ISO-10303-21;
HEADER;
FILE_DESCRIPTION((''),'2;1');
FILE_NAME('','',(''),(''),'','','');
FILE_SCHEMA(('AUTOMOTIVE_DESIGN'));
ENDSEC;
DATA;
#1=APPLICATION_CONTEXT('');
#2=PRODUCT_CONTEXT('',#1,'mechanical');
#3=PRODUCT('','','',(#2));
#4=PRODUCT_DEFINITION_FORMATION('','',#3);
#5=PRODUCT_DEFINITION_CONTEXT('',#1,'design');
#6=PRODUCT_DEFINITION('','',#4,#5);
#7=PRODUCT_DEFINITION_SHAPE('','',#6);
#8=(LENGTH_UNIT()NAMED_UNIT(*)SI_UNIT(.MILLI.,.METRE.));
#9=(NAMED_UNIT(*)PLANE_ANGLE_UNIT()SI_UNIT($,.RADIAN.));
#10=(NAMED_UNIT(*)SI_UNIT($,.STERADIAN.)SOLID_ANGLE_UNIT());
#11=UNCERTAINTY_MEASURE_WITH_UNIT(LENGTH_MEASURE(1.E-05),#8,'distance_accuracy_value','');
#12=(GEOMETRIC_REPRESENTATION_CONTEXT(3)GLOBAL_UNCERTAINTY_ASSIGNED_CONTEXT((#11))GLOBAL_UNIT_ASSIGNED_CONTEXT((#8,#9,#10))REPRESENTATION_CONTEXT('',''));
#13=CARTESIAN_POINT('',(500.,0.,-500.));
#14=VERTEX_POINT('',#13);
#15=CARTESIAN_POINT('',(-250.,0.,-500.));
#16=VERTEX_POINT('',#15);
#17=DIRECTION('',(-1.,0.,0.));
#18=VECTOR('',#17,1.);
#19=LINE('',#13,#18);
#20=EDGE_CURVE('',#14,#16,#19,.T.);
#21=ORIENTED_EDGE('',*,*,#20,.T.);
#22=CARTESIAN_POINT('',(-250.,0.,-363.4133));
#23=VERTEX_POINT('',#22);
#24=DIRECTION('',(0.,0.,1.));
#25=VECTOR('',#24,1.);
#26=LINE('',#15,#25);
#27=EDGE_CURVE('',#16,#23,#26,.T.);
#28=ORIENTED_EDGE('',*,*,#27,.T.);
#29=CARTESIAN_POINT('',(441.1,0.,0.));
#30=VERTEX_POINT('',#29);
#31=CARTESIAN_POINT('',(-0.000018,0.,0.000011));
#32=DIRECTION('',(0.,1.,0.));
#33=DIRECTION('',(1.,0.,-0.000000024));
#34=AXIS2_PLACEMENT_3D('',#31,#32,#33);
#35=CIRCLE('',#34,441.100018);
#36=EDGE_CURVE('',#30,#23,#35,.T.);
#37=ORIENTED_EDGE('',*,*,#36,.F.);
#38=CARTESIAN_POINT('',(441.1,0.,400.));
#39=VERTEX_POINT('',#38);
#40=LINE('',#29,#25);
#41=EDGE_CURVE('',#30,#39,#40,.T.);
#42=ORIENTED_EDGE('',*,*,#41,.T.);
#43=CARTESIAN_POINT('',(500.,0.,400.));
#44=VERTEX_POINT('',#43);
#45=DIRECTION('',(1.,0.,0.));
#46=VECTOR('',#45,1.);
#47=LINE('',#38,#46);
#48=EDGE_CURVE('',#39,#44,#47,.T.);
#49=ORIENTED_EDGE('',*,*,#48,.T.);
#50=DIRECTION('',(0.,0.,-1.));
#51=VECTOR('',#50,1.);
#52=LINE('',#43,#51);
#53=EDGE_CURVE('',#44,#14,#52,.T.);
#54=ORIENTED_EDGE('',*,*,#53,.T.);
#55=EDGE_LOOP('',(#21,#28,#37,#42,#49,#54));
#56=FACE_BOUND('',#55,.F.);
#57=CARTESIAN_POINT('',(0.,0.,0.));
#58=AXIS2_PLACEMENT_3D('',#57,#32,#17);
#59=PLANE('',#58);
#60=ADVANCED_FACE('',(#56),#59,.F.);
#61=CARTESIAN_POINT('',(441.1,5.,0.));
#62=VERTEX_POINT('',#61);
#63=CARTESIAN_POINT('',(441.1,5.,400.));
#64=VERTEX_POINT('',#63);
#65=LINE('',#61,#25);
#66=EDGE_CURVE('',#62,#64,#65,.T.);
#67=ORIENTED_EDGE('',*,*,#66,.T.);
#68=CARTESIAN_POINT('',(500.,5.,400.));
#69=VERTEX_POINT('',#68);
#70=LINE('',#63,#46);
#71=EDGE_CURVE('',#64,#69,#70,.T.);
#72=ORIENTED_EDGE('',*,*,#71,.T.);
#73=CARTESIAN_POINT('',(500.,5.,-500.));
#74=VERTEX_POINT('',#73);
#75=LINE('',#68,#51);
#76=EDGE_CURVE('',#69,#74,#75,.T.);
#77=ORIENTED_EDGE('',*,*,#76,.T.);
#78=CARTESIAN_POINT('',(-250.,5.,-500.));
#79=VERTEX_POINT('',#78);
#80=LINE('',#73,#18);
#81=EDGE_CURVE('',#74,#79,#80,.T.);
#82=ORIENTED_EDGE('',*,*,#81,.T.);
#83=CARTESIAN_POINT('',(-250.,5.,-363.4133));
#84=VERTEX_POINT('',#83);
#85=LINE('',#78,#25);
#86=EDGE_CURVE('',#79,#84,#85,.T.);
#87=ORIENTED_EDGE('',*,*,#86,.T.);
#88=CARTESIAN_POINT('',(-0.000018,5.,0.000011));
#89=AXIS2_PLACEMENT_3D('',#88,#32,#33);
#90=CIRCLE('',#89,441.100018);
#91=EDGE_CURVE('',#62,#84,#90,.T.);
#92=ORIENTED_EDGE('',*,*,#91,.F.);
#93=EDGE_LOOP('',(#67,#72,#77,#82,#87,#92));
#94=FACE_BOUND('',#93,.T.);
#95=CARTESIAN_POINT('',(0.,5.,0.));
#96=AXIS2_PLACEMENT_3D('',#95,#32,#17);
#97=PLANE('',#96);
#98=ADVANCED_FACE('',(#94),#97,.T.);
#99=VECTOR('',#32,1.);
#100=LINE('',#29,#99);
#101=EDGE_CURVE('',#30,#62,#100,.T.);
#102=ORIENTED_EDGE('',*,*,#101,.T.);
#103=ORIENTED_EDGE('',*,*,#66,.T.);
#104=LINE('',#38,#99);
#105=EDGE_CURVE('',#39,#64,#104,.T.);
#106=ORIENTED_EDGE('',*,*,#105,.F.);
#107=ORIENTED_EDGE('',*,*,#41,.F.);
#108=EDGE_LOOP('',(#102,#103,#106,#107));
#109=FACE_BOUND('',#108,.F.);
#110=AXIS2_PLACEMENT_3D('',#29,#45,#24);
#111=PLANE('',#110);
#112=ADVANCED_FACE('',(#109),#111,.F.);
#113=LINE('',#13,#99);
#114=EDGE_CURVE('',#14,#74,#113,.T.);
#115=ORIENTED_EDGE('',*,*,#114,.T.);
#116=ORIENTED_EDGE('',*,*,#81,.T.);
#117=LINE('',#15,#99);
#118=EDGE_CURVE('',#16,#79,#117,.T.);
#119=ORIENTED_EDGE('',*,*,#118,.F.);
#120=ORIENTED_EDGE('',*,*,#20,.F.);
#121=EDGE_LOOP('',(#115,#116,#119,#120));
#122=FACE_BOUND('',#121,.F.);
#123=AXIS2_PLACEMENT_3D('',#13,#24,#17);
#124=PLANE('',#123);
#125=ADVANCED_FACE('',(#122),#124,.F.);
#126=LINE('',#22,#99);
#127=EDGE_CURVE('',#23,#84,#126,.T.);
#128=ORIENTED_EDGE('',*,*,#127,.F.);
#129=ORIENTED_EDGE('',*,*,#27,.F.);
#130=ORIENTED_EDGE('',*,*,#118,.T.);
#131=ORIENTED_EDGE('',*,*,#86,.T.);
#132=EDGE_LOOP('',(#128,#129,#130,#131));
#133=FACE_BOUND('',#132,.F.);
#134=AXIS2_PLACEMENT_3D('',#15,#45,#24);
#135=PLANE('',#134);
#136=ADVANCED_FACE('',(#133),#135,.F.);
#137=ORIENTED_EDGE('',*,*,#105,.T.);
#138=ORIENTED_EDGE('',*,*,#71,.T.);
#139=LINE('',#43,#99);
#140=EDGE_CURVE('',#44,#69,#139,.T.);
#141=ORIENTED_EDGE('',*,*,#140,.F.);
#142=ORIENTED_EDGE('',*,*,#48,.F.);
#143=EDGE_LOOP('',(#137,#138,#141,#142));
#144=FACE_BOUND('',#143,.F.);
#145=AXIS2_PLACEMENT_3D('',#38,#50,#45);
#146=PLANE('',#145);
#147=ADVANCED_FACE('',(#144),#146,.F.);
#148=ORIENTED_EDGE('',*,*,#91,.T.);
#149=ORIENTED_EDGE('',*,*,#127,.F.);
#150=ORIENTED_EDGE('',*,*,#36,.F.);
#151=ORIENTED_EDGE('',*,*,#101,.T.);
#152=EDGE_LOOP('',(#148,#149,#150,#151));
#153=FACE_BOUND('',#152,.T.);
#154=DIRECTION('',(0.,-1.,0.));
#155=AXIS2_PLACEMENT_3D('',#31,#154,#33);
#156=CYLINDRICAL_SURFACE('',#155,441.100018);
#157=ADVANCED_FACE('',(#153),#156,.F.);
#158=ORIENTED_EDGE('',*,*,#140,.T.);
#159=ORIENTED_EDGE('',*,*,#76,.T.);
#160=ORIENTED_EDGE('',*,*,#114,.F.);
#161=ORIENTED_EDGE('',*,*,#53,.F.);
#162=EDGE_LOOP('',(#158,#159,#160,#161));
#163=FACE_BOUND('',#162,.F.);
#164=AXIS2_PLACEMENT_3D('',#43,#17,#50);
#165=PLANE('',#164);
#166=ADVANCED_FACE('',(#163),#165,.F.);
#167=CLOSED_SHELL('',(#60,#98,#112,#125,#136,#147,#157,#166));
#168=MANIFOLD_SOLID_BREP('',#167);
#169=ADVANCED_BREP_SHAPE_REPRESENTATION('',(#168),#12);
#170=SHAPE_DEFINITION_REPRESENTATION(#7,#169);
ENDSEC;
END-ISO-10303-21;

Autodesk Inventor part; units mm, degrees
ref_plane "YZ Plane" through (0, 0, 0) normal (1, 0, 0) x (0, 1, 0)
ref_plane "XZ Plane" through (0, 0, 0) normal (0, 1, 0) x (-1, 0, 0)
ref_plane "XY Plane" through (0, 0, 0) normal (0, 0, 1) x (1, 0, 0)
sketch "Sketch1" plane through (0, 0, 0) normal (0, 1, 0) x (-1, 0, 0)
  line L0 (0, 329.241) -> (0, -329.241) construction
  line L1 (203.5937, 0) -> (-203.5937, 0) construction
  arc A0 (-441.1, 0) -> (250, -363.4133) centre (0, 0) ccw
  line L2 (-441.1, 0) -> (-441.1, 400)
  line L3 (-441.1, 400) -> (-500, 400)
  line L4 (-500, 400) -> (-500, -500)
  line L5 (-500, -500) -> (250, -500)
  line L6 (250, -500) -> (250, -363.4133)
  dimension "d0" = 500
  dimension "d1" = 400
  dimension "d2" = 500
  dimension "d3" = 441.1
  dimension "d4" = 750
extrude "Extrusion1" add sketch "Sketch1" along normal blind 5
properties part number "boundaryV1"
